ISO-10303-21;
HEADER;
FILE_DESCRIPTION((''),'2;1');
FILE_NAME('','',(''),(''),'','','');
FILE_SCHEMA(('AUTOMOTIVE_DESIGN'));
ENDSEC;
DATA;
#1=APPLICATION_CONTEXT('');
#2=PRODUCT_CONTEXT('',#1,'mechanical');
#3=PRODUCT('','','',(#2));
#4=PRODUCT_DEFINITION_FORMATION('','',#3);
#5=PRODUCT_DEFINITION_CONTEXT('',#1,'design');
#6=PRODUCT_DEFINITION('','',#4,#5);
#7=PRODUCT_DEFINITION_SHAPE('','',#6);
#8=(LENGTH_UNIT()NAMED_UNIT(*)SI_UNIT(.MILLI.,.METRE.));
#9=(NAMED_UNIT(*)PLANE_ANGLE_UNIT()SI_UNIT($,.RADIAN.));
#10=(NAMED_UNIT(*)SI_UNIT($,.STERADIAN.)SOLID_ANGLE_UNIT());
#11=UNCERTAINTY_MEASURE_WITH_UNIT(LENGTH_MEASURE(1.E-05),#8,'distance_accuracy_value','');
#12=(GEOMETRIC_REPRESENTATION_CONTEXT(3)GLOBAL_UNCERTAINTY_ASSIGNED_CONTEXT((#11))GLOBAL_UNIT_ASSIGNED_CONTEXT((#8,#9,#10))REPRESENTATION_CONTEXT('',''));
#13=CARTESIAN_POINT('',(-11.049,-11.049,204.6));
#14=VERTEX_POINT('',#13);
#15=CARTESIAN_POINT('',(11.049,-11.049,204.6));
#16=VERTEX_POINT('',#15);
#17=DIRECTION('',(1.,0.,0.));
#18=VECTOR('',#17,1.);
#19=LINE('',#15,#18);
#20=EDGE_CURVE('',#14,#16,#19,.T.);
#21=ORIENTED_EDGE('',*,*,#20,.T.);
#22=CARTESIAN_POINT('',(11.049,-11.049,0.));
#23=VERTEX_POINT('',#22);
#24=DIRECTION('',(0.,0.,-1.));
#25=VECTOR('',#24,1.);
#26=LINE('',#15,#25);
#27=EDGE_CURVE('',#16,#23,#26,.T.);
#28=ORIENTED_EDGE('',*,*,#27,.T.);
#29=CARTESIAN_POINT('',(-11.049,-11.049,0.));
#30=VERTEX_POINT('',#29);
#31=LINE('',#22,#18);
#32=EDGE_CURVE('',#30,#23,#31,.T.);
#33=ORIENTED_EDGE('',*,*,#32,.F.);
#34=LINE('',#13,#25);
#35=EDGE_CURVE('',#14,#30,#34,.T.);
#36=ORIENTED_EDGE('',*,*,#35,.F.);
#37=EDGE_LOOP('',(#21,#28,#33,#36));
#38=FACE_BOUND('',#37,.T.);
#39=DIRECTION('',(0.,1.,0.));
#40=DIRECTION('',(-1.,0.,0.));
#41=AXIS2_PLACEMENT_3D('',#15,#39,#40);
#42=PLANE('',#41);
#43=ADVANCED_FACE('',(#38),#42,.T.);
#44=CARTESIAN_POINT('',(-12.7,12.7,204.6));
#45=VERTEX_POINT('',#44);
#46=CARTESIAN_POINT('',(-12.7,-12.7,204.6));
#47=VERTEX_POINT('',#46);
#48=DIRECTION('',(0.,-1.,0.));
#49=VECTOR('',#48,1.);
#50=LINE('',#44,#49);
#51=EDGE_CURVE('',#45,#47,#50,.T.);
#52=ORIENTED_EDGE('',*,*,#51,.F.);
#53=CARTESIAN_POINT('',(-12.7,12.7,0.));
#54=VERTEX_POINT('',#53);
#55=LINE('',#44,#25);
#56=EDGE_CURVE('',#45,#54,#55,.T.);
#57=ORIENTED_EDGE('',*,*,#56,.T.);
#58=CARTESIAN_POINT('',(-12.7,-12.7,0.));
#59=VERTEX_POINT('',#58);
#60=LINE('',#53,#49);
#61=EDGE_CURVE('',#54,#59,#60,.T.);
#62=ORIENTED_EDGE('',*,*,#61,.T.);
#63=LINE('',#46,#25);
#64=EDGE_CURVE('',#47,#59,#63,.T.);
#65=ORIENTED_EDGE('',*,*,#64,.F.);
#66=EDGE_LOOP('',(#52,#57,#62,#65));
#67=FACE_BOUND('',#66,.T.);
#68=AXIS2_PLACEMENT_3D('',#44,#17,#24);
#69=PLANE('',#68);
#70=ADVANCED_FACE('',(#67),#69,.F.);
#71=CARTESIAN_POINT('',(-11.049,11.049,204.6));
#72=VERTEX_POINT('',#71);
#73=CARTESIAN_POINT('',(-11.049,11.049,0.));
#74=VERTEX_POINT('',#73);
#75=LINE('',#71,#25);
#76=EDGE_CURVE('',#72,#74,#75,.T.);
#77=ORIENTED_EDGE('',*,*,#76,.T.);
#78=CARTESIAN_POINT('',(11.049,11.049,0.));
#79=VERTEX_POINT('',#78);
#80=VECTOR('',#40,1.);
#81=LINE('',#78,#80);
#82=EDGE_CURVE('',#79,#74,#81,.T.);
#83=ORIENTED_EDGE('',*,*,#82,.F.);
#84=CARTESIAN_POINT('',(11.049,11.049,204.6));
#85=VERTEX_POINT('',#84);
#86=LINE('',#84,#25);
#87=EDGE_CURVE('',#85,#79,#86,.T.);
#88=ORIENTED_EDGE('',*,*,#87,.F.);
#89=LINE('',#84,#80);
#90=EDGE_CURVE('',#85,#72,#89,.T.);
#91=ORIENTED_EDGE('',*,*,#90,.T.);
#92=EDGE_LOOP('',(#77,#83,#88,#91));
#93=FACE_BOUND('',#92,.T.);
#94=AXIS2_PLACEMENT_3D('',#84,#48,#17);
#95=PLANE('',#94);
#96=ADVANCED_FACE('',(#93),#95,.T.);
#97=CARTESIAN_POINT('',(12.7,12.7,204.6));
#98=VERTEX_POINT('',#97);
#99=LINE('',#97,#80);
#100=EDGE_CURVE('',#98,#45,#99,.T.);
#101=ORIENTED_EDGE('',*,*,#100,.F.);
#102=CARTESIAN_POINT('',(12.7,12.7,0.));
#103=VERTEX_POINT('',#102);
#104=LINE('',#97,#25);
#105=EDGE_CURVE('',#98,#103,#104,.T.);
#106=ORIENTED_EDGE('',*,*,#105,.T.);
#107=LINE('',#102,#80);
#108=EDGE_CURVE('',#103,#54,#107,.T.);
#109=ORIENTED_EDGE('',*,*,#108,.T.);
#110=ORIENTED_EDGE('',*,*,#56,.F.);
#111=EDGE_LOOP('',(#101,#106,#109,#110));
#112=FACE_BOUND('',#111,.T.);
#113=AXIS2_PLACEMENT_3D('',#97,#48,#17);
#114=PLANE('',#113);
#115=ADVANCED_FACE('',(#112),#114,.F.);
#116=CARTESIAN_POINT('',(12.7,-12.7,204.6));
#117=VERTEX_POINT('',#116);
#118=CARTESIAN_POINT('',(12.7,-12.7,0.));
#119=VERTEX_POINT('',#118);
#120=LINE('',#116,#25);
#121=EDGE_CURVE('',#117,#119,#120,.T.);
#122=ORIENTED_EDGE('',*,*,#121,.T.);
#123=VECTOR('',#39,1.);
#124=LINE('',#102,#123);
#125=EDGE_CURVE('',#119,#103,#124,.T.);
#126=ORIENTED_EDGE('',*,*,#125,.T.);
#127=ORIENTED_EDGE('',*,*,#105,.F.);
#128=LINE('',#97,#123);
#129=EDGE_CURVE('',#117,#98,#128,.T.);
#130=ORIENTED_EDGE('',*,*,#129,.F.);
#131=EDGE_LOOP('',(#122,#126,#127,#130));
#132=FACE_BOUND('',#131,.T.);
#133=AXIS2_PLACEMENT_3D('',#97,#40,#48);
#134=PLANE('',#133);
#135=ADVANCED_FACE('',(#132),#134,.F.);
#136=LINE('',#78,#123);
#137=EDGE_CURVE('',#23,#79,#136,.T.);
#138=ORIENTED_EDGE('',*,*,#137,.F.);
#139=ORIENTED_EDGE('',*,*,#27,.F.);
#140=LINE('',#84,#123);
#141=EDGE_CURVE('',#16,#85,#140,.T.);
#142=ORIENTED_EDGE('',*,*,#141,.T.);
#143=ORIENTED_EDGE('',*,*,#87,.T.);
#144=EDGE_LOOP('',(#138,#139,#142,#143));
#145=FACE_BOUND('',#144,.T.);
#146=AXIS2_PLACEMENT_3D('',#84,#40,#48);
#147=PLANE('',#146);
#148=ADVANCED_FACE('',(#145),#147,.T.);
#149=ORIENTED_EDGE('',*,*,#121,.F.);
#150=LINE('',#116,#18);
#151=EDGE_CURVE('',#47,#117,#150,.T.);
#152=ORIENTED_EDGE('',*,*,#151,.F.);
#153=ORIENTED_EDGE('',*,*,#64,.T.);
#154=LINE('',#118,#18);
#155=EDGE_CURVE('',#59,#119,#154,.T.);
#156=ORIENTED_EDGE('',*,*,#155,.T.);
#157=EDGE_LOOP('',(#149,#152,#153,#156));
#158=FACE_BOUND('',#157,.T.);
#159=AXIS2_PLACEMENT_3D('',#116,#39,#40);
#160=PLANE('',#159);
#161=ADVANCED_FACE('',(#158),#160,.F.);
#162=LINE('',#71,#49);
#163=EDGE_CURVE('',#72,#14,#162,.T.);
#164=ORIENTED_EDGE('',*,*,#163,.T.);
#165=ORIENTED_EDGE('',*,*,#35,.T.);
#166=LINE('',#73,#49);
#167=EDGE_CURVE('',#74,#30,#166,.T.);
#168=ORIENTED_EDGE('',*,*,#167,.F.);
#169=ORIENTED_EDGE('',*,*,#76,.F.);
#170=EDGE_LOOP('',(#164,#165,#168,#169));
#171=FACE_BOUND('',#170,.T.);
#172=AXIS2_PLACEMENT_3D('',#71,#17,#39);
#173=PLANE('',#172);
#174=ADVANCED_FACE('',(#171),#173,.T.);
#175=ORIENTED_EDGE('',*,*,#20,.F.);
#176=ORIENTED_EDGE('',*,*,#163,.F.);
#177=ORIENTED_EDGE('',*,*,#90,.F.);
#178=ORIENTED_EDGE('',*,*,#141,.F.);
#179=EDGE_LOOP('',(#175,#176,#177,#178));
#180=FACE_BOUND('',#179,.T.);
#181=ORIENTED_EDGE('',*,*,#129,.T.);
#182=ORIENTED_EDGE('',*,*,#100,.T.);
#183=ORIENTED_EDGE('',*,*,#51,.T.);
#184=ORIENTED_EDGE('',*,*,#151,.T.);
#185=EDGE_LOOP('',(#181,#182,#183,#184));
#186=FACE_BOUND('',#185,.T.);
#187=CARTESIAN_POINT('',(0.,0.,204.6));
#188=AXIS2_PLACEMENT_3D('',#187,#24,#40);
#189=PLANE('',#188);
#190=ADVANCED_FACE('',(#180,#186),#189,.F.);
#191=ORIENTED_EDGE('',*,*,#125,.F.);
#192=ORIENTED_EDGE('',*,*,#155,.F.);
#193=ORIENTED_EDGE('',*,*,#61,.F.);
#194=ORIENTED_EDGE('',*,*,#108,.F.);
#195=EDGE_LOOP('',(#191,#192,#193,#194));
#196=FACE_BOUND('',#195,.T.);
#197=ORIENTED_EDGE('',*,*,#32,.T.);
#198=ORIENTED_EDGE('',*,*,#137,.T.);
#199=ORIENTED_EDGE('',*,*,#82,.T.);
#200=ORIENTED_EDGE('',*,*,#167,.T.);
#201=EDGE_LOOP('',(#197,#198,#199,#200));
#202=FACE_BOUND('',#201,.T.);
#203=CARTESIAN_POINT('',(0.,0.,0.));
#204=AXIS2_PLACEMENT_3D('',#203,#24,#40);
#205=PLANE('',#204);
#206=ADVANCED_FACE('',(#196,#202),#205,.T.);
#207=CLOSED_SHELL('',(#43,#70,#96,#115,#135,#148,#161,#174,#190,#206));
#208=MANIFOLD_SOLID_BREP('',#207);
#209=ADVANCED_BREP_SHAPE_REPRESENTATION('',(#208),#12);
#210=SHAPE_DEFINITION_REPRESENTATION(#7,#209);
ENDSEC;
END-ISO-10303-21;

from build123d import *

# Parameters (mm, degrees)
SKETCH1_W           = 25.4
SKETCH1_H           = 25.4
SKETCH1_W_2         = 22.098
SKETCH1_H_2         = 22.098
BOSS_EXTRUDE1_DEPTH = 204.6


with BuildPart() as part:
    # Sketch1 → Boss-Extrude1 (new body)
    with BuildSketch(Plane.XY):
        Rectangle(SKETCH1_W, SKETCH1_H)
        Rectangle(SKETCH1_W_2, SKETCH1_H_2, mode=Mode.SUBTRACT)
    extrude(amount=BOSS_EXTRUDE1_DEPTH)


solid = part.part
